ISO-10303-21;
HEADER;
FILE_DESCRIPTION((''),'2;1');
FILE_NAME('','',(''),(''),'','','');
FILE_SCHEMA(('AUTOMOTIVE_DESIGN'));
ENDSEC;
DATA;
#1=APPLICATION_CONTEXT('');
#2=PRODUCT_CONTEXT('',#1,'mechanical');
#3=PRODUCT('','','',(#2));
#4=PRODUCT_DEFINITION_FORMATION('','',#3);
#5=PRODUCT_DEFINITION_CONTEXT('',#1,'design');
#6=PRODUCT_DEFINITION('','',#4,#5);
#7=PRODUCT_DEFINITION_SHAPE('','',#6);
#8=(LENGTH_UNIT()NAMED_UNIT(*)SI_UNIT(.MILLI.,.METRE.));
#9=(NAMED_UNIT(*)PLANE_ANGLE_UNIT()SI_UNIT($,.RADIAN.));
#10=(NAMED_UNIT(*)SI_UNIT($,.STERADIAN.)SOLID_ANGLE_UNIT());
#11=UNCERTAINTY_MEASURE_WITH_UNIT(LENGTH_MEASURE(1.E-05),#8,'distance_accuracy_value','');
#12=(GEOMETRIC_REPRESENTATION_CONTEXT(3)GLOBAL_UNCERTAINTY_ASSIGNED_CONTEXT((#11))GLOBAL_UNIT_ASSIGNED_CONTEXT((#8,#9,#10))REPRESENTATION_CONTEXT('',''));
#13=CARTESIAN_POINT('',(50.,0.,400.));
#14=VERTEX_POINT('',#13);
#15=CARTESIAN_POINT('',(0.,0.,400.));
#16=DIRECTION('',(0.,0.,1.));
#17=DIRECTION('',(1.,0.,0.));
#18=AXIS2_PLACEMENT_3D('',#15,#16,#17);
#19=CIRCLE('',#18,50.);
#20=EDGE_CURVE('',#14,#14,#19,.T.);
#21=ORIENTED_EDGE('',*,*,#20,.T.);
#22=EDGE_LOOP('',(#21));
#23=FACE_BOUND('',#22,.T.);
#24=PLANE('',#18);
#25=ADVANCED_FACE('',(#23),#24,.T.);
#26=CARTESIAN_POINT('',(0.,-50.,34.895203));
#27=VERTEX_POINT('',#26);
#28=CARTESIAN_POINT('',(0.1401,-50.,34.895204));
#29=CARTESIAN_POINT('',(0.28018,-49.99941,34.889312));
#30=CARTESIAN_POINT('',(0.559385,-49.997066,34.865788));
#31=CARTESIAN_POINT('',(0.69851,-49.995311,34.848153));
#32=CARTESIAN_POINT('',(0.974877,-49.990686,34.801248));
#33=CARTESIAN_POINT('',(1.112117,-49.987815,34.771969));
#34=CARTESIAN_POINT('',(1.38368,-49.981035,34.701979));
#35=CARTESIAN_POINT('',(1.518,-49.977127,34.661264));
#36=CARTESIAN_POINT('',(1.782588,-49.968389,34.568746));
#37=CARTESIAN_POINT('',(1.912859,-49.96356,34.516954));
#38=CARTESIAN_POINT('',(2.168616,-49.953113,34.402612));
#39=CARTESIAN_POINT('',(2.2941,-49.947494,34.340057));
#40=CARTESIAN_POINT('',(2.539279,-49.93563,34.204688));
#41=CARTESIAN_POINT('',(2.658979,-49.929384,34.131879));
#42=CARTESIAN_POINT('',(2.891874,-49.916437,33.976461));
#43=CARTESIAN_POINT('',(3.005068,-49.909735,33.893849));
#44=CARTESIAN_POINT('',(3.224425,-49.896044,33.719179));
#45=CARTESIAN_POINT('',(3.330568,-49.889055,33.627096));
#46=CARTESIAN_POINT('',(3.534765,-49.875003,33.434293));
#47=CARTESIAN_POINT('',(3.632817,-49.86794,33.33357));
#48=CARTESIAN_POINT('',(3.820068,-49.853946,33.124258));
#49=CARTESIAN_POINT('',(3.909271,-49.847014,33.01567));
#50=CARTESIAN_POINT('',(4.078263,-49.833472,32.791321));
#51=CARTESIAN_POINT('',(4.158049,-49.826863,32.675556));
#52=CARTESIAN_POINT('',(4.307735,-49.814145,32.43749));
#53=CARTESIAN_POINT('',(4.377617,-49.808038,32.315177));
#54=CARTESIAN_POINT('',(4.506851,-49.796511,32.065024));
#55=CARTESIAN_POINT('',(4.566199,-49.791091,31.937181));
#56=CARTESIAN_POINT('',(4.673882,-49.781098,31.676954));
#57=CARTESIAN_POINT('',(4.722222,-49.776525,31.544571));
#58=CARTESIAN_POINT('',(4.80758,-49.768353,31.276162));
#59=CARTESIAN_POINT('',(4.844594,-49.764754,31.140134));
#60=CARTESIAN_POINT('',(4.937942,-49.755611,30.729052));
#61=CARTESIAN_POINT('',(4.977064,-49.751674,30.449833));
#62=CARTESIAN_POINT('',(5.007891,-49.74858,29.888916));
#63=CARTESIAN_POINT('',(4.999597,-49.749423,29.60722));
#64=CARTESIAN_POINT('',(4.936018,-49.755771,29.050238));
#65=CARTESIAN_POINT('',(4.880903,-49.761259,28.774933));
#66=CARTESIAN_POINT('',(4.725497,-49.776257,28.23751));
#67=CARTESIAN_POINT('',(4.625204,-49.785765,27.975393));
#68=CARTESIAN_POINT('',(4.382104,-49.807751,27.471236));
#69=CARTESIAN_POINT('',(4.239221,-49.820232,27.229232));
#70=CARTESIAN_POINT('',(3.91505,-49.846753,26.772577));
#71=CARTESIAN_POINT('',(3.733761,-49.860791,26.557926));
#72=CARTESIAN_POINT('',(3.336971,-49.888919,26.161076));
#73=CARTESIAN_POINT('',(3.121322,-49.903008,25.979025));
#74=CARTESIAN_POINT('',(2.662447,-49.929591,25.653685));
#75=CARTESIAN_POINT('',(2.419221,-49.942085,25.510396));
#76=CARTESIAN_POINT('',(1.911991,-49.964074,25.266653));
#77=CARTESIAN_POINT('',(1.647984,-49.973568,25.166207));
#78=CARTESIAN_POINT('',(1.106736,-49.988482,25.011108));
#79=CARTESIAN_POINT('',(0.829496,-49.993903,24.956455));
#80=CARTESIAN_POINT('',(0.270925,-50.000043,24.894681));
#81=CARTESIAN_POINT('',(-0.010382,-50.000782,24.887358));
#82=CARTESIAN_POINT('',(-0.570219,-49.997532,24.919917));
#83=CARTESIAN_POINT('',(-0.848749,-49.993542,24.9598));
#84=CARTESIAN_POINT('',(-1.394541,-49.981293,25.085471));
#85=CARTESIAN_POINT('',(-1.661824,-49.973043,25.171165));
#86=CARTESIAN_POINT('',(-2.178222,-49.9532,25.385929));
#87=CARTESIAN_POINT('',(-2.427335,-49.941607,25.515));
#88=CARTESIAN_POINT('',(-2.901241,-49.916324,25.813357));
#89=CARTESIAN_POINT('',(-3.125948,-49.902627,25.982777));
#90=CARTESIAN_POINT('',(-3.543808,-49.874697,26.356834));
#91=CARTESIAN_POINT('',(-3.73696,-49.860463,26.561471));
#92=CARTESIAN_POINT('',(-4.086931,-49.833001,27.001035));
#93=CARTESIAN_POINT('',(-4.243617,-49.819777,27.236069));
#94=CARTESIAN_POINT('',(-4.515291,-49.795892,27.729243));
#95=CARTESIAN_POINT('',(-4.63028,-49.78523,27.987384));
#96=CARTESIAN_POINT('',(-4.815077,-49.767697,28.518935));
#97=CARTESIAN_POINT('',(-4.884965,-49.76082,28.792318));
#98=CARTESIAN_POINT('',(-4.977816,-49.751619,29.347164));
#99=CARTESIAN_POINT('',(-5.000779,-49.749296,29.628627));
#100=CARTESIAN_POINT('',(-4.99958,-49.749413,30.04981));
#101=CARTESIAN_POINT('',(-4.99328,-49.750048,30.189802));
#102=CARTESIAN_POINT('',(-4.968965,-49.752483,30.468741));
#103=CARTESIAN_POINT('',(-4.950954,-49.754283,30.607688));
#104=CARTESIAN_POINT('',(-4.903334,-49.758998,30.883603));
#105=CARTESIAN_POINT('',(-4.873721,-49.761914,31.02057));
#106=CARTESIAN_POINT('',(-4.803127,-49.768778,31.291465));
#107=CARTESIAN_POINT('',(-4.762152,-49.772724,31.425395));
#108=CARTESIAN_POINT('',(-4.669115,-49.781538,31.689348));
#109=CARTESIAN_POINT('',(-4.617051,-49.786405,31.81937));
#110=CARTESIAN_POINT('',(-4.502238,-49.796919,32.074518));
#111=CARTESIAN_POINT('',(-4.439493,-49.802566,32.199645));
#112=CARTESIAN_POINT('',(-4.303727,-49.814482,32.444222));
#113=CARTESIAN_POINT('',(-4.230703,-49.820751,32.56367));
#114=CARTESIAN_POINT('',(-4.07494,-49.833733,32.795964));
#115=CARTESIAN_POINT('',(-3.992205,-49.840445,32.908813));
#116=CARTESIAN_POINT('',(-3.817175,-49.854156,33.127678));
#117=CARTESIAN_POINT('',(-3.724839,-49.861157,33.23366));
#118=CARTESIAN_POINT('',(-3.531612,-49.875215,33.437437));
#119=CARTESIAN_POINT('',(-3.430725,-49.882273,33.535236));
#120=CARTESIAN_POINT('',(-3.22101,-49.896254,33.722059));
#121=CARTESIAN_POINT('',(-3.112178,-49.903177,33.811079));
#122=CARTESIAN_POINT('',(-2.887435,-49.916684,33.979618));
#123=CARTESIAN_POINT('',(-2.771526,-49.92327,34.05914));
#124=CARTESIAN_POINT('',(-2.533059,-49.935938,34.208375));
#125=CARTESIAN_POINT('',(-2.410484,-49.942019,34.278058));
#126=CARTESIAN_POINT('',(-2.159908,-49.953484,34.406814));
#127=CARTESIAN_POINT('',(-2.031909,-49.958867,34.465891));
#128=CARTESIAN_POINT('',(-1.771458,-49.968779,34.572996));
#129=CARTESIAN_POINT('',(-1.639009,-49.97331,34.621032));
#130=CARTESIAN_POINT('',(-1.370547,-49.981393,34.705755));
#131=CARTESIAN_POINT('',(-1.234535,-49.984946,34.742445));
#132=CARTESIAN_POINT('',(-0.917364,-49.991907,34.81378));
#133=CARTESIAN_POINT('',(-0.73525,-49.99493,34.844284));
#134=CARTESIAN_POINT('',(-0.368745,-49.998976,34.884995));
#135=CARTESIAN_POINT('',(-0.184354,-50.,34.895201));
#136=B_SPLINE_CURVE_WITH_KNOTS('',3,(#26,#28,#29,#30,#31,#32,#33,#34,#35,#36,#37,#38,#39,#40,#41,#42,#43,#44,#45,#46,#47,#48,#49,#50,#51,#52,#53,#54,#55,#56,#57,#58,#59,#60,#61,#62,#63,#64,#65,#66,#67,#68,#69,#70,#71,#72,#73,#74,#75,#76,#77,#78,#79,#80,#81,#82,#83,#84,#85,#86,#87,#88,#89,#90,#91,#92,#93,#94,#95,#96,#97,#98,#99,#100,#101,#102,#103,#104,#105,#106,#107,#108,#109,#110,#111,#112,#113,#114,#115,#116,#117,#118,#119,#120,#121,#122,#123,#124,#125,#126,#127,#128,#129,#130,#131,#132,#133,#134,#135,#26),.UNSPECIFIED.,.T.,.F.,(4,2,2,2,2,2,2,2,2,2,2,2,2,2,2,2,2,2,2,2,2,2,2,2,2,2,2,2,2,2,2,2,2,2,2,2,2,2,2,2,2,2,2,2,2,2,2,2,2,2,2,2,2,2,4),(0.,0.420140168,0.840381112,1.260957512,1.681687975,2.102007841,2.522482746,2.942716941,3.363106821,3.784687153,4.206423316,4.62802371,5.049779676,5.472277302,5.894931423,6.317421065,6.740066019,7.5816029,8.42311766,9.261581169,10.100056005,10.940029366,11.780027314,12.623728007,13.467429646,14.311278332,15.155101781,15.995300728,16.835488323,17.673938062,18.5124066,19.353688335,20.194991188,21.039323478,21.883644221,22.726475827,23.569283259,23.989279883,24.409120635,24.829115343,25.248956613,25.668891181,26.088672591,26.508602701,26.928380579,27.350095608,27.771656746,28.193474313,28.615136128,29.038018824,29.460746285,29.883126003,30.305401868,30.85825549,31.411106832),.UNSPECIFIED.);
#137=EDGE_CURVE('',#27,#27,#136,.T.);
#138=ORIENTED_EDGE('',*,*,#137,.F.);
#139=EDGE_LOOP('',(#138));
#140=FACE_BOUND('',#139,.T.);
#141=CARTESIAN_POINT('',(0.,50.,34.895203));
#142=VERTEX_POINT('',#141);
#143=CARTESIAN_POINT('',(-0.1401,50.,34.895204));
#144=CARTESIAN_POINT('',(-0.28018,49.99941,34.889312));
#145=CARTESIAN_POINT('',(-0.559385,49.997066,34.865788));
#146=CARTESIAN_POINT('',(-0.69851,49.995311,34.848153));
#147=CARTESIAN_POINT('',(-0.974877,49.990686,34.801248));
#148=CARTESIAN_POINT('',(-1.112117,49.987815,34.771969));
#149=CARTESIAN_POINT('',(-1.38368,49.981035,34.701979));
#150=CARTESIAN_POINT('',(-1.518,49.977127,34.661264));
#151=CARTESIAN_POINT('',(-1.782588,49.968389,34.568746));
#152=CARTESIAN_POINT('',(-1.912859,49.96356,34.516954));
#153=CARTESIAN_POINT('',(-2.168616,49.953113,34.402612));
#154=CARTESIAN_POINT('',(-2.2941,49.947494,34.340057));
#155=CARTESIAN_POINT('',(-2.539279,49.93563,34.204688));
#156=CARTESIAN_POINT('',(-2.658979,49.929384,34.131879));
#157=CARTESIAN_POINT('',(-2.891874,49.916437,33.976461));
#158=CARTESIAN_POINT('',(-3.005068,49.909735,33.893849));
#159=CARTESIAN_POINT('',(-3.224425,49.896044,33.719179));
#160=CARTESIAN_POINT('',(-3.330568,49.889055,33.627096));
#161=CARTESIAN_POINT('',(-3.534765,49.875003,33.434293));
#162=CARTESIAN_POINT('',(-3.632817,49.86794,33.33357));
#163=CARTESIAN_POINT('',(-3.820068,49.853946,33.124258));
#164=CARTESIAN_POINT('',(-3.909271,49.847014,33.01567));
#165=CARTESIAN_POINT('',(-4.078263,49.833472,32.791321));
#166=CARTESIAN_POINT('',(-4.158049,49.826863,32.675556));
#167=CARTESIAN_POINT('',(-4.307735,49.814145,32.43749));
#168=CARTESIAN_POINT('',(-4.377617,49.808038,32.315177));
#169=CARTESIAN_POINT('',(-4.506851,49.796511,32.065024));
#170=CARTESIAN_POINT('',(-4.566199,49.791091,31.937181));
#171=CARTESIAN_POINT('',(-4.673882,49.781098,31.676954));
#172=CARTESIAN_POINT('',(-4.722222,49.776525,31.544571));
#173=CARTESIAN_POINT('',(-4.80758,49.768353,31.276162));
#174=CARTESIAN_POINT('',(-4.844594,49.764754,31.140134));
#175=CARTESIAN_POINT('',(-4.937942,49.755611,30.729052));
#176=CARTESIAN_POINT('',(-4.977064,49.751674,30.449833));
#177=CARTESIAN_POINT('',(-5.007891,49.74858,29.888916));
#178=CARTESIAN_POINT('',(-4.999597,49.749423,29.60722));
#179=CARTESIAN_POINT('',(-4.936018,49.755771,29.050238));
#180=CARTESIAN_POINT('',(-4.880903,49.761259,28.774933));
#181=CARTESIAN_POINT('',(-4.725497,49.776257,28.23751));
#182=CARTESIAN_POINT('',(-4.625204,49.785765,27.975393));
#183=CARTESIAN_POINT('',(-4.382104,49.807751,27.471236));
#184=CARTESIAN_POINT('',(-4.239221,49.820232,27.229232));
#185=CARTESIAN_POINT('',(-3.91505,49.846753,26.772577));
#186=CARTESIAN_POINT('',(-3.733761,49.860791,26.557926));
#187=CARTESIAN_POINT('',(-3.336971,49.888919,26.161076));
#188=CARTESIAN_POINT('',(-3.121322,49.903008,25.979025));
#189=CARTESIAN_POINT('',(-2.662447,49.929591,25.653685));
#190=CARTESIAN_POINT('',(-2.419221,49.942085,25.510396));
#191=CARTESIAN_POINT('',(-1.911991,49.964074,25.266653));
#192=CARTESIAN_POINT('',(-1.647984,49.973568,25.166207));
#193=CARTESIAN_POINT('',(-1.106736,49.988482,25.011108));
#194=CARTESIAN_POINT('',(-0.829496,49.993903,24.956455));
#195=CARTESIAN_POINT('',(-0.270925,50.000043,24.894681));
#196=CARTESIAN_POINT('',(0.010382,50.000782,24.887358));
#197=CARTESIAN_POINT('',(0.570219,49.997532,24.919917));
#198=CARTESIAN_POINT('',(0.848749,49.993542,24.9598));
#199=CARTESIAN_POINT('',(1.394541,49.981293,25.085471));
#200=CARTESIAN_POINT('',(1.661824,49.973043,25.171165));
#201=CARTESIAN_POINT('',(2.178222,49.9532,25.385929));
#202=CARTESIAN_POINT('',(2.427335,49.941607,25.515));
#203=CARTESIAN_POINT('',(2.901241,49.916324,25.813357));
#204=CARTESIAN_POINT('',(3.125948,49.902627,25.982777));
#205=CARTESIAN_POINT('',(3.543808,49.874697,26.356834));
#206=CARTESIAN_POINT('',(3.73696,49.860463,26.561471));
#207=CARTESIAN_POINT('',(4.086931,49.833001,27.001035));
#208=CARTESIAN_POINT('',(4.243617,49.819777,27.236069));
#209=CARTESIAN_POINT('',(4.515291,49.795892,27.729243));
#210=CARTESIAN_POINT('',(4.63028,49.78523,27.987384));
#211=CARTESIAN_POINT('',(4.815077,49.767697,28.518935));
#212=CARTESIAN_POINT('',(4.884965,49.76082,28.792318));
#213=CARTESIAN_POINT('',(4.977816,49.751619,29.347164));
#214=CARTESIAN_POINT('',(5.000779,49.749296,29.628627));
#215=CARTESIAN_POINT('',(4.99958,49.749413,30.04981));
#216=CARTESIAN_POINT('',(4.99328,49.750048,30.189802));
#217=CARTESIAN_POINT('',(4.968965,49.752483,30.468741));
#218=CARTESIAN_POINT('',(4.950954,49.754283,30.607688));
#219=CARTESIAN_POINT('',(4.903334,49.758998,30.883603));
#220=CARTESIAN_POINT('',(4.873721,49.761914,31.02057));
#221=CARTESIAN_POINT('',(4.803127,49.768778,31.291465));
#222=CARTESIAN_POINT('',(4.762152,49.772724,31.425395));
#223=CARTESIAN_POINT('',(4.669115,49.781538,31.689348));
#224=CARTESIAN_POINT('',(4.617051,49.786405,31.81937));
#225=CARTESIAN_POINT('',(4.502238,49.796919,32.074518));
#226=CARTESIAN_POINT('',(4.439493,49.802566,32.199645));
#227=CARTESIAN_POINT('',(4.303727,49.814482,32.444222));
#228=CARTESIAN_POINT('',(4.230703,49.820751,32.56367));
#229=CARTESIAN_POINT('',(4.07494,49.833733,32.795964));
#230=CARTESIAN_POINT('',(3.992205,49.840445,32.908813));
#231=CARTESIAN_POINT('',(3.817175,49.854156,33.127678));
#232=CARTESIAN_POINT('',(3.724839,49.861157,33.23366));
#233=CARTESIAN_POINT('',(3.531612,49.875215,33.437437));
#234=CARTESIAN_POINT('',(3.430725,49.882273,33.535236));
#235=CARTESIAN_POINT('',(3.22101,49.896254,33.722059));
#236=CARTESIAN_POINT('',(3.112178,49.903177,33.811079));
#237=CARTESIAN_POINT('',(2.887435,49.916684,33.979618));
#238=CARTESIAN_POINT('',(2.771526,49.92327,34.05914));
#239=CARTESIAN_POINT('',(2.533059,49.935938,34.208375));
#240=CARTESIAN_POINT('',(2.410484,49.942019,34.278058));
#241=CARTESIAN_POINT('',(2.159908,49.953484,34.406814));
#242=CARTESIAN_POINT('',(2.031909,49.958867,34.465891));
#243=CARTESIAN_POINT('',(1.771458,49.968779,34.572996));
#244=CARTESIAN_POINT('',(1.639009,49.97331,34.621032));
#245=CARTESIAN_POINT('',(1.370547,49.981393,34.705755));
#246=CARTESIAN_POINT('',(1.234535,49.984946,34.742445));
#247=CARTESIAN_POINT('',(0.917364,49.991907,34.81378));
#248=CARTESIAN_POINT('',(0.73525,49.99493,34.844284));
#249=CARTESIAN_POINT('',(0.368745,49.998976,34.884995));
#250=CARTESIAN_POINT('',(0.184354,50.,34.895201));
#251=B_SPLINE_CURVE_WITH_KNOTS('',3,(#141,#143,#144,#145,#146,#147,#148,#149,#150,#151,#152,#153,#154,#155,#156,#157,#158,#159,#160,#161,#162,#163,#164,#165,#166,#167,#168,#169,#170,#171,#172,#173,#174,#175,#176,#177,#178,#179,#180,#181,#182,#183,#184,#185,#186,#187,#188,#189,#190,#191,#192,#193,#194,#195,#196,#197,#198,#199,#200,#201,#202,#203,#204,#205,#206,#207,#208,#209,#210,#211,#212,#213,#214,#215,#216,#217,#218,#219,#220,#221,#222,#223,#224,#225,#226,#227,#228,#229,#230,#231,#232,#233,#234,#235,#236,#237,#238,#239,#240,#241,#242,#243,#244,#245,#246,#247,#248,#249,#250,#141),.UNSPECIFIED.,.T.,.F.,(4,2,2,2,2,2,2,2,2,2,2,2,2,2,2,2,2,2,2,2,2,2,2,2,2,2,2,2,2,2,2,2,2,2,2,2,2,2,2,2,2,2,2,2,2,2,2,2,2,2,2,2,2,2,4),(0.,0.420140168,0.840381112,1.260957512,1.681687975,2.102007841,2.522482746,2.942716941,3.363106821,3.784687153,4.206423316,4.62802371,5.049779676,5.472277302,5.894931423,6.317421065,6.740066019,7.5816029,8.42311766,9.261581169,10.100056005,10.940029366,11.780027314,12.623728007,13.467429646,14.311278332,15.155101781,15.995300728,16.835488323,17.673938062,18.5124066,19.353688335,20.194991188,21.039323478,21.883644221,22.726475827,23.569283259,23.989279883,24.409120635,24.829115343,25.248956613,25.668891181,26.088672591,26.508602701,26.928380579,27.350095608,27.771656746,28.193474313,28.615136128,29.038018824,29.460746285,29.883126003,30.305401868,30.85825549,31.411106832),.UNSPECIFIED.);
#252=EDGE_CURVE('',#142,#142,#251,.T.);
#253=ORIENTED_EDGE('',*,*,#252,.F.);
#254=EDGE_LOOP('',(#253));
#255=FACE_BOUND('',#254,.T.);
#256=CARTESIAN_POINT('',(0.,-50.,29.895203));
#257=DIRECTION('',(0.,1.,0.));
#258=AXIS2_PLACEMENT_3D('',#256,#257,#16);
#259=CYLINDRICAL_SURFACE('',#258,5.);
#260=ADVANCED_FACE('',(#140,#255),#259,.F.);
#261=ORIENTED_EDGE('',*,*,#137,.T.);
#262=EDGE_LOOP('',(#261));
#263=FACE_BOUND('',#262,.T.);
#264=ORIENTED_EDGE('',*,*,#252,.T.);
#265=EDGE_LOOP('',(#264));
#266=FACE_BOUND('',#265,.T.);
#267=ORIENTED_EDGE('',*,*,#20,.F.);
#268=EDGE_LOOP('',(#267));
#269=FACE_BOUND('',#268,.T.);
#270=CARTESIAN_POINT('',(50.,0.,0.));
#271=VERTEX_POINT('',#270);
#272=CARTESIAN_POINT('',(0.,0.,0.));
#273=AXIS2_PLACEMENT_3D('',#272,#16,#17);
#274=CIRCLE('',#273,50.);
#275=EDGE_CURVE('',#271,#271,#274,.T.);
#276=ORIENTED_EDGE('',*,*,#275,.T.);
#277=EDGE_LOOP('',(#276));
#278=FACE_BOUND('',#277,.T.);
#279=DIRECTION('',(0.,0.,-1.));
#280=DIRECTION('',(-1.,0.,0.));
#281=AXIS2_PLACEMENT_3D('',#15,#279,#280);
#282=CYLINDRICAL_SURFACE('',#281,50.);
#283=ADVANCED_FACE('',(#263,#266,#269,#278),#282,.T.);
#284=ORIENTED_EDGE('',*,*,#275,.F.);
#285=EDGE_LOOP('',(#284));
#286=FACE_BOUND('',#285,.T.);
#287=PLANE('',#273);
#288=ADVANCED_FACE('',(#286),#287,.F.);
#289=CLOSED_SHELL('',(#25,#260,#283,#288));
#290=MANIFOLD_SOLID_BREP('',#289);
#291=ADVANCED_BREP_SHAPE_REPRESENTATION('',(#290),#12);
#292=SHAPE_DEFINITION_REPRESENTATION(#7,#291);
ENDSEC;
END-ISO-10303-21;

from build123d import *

# Parameters (mm, degrees)
SCHIZZO1_R                    = 50
ESTRUSIONE_ESTRUSIONE1_DEPTH  = 400
TAGLIO_ESTRUSIONE1_DEPTH      = 407.201920232
TAGLIO_ESTRUSIONE1_DEPTH_BACK = 407.201920232
SCHIZZO2_R                    = 5


with BuildPart() as part:
    # Schizzo1 → Estrusione-Estrusione1 (new body)
    with BuildSketch(Plane.XY):
        Circle(SCHIZZO1_R)
    extrude(amount=ESTRUSIONE_ESTRUSIONE1_DEPTH)

    # Schizzo2 → Taglio-Estrusione1 (cut, two sides: drawn at the far end of the back side and taken through both)
    with BuildSketch(Plane(origin=(0, 0, 0), x_dir=(1, 0, 0), z_dir=(0, 1, 0)).offset(-TAGLIO_ESTRUSIONE1_DEPTH_BACK)):
        with Locations(Location((0, -29.895202987, 0), (0, 0, 270))):
            Circle(SCHIZZO2_R)
    extrude(amount=TAGLIO_ESTRUSIONE1_DEPTH + TAGLIO_ESTRUSIONE1_DEPTH_BACK, mode=Mode.SUBTRACT)


solid = part.part
